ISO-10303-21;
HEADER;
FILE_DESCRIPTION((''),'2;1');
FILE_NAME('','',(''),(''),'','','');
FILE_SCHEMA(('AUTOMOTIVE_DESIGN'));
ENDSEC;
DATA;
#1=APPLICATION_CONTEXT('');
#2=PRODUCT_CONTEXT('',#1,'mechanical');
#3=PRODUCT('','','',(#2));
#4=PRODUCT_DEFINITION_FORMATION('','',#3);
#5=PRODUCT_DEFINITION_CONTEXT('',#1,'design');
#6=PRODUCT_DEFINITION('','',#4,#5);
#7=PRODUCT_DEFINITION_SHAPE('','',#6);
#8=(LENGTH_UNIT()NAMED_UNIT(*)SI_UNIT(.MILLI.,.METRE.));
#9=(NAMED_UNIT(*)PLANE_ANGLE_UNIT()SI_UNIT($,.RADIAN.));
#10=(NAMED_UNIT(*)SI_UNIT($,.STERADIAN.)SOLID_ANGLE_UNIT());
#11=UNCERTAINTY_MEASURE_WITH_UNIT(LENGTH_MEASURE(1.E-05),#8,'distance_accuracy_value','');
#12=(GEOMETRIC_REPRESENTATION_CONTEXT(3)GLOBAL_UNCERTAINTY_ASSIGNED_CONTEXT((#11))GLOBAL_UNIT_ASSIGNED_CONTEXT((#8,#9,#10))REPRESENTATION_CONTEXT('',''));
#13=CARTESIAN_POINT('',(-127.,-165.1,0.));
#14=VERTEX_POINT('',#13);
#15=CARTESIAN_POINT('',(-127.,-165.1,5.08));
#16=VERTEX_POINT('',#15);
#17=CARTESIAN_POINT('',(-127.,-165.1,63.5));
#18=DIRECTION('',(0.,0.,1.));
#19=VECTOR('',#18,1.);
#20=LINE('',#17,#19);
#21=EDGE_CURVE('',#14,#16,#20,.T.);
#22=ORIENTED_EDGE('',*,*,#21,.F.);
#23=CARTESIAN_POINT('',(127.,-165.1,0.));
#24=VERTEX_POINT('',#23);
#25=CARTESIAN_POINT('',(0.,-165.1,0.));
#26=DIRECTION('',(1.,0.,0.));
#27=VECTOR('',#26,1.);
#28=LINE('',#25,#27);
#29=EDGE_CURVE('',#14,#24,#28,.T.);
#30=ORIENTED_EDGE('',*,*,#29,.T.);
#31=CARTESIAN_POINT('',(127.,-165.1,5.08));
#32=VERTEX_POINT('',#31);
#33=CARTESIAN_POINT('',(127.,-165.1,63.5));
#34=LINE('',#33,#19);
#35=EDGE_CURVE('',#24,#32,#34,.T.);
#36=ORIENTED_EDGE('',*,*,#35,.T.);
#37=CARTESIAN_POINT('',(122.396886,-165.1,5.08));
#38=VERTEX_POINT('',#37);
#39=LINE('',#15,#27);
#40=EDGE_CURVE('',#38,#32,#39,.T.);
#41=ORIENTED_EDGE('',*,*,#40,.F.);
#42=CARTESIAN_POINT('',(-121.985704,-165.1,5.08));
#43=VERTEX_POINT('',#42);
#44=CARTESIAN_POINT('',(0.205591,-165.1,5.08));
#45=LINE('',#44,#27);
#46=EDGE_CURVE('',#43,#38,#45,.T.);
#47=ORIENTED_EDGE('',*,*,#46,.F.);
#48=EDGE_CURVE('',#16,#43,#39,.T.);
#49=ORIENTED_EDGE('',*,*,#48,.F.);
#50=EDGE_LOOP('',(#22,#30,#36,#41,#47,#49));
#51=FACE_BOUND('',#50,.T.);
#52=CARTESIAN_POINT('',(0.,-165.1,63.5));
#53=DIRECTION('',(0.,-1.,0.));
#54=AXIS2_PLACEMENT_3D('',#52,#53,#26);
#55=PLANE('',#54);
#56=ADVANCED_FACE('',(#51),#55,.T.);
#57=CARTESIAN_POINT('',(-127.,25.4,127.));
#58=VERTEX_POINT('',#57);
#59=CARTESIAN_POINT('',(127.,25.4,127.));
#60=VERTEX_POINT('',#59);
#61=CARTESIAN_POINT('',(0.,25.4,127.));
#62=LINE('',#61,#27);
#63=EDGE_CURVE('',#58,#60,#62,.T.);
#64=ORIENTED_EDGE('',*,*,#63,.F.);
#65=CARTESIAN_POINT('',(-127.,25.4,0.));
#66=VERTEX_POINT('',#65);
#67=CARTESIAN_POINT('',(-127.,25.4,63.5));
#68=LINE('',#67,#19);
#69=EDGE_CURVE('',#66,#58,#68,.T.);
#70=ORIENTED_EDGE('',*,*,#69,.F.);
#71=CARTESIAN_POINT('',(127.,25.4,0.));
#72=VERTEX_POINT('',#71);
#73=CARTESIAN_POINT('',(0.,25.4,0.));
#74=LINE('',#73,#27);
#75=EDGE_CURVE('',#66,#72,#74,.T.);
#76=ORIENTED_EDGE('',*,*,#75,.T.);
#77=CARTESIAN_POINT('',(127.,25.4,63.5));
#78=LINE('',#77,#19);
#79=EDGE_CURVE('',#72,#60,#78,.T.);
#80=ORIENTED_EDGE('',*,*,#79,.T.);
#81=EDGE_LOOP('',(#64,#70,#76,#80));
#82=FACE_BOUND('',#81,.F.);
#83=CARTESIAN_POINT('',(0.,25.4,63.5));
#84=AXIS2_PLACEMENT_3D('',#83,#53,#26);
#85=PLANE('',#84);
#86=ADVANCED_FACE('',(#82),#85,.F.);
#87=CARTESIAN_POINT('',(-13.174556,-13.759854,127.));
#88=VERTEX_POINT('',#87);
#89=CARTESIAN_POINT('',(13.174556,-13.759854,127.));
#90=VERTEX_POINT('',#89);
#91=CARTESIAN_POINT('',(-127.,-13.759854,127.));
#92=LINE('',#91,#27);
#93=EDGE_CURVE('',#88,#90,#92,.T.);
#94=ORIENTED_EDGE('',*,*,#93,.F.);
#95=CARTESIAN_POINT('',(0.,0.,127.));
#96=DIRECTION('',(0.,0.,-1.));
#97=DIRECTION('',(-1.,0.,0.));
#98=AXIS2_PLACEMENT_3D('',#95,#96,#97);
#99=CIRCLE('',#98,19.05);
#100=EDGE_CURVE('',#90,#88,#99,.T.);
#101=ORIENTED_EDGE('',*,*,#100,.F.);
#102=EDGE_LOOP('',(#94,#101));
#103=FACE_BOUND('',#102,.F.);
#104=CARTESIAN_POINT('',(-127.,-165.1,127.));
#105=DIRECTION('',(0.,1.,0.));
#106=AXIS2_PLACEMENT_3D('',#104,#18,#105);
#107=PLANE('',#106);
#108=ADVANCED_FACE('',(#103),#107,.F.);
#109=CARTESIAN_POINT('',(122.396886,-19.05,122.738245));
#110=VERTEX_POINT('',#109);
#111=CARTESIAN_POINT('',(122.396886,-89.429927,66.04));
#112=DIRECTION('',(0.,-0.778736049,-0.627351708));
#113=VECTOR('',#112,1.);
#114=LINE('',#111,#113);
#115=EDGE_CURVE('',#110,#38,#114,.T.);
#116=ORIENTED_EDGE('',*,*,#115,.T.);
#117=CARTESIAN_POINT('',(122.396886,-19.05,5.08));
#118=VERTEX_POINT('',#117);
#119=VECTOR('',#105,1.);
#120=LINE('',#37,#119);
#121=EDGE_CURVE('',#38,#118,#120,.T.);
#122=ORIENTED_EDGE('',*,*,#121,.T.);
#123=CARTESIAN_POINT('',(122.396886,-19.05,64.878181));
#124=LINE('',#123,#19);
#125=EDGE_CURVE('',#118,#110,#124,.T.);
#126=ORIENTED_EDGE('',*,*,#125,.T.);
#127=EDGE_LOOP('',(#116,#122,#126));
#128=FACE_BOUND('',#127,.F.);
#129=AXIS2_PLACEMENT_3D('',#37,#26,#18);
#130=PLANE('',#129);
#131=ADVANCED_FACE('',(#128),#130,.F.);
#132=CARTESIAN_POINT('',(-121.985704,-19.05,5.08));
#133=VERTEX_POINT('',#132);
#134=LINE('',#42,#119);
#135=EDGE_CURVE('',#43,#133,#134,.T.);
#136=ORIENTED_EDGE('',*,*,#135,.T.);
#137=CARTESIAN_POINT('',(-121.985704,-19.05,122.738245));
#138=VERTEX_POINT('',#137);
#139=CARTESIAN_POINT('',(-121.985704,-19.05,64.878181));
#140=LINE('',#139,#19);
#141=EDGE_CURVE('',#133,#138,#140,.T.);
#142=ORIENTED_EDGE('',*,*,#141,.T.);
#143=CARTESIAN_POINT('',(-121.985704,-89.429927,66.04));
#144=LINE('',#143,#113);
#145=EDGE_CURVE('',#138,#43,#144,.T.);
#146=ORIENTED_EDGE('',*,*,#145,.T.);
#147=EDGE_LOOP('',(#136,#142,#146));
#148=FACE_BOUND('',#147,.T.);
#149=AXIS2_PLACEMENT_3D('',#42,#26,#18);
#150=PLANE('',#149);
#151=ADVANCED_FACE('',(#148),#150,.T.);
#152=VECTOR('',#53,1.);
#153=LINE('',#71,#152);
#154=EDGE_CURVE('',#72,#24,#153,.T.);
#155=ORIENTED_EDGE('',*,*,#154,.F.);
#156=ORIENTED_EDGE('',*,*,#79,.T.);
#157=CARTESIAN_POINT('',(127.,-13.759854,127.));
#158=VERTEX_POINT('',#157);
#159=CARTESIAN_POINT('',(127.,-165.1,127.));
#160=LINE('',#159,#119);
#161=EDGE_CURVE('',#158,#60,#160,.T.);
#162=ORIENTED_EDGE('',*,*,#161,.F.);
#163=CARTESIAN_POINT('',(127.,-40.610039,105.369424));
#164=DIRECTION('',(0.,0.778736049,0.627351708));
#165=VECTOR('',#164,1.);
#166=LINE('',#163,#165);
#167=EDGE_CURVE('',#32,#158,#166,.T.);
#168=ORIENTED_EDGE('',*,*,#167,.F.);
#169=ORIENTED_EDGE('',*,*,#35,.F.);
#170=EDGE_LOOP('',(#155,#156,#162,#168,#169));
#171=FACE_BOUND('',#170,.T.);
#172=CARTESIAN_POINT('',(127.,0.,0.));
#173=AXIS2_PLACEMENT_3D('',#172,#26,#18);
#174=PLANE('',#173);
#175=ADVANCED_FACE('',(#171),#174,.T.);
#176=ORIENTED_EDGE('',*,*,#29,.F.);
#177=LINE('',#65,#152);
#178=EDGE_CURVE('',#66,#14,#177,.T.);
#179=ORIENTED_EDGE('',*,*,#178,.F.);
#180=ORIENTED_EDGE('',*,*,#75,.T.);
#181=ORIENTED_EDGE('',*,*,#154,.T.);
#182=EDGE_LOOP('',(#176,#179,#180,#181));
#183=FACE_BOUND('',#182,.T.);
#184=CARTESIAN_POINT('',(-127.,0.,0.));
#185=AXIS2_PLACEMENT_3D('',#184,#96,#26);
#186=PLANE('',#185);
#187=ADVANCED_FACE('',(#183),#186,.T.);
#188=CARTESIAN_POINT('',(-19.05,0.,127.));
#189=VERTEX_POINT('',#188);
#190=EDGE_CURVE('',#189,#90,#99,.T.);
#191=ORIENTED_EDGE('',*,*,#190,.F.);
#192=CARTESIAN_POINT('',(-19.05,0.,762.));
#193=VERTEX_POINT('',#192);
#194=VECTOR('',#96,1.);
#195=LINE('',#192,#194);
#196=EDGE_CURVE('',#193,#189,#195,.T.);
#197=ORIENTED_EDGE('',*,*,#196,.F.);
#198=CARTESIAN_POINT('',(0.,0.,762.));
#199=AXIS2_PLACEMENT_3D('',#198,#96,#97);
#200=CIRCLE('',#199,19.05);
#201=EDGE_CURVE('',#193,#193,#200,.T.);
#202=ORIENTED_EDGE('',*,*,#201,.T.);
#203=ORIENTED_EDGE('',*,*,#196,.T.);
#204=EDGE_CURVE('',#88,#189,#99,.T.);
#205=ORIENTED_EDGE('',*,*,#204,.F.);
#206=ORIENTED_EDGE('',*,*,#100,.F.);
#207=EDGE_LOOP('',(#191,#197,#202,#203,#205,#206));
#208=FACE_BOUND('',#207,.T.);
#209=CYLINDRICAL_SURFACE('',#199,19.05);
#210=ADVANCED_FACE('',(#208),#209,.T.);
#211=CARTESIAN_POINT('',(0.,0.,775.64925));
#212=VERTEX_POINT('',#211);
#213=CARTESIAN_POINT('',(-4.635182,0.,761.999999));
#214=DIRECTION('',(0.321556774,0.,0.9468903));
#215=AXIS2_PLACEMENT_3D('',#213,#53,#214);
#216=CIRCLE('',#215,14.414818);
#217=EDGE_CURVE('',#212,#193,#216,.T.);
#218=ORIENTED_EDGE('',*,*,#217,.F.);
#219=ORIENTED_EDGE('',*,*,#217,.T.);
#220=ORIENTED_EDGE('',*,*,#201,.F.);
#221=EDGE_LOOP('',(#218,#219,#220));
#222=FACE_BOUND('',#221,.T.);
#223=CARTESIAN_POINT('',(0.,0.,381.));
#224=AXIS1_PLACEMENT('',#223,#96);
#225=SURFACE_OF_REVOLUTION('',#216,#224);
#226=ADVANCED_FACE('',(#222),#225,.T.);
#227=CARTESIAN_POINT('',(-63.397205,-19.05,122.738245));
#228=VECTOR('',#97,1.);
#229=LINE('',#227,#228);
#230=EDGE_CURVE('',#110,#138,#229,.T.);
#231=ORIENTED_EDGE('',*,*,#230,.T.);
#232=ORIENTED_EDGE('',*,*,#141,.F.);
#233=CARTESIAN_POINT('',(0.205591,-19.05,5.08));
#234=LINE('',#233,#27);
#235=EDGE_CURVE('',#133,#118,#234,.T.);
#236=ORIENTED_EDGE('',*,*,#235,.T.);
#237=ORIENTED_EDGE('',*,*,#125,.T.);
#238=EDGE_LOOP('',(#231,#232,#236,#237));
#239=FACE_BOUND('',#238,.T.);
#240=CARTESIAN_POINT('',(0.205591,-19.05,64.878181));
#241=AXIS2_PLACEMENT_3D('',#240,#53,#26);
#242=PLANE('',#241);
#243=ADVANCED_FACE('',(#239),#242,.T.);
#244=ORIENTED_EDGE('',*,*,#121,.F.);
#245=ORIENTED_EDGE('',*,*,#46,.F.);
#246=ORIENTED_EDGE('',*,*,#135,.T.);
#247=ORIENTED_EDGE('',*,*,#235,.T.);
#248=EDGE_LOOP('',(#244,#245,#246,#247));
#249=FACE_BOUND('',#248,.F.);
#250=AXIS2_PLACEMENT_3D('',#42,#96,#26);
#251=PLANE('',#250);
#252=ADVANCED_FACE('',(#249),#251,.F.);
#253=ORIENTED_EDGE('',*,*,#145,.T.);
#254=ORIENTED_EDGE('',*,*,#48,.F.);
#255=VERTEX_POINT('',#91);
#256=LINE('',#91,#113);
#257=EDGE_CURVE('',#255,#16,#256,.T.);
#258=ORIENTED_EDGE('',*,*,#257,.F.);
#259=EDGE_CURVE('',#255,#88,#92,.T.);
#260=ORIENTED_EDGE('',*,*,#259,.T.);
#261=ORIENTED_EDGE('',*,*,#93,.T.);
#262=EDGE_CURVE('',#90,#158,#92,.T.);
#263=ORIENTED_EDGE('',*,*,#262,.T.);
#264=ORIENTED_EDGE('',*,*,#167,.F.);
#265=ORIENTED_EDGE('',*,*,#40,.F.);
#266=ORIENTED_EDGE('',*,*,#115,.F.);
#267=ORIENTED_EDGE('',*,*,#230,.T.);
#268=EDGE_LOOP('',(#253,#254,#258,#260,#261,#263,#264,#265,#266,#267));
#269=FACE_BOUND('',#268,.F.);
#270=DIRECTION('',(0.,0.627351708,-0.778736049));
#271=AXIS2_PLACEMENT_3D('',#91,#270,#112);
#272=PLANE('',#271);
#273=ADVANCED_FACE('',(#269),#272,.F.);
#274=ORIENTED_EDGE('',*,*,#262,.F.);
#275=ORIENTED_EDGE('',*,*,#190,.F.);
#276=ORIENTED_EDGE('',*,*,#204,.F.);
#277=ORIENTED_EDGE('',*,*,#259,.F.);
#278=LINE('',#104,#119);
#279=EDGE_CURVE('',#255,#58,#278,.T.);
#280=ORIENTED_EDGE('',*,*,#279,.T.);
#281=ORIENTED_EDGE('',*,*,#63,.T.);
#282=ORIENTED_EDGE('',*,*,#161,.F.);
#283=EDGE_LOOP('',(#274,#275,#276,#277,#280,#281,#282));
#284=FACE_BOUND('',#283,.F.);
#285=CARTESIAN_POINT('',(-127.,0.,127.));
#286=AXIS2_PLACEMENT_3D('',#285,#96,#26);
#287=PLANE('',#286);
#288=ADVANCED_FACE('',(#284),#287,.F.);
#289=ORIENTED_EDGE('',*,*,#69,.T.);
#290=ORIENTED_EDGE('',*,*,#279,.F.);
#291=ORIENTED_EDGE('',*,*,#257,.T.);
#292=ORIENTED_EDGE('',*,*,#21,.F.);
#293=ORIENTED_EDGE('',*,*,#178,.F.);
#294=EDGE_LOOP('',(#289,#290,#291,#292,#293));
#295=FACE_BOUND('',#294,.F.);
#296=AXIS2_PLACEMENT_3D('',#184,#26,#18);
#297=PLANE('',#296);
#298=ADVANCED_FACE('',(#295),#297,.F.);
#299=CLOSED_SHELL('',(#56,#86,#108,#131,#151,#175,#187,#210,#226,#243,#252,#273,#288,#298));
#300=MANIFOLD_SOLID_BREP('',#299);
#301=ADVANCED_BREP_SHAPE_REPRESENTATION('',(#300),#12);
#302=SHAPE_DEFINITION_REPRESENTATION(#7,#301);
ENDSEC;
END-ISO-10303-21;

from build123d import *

# Parameters (mm, degrees)
F2_W          = 254
F2_H          = 127
F3_DEPTH      = 165.1
F3_DEPTH_BACK = 25.4
F5_DEPTH      = 386.08
F6_W          = 244.38259
F6_H          = 119.596362
F7_DEPTH      = 146.05


with BuildPart() as f1:
    # F0 (on Front) → F1 (revolve)
    with BuildSketch(Plane.XZ):
        with BuildLine():
            Line((-19.05, 762), (-19.05, 0))
            Line((-19.05, 0), (0, 0))
            Line((0, 0), (0, 762))
            Line((0, 762), (0, 775.64925))
            ThreePointArc((0, 775.64925), (-13.030766, 773.717556), (-19.05, 762))
        make_face()
    revolve(axis=Axis((0, 0, 381), (0, 0, -1)))

    # F2 (on Front) → F3 (join, two sides)
    with BuildSketch(Plane.XZ) as f3_sk:
        with Locations((0, 63.5)):
            Rectangle(F2_W, F2_H)
    extrude(amount=F3_DEPTH)
    extrude(f3_sk.sketch, amount=-F3_DEPTH_BACK)

    # F4 (on face) → F5 (cut)
    with BuildSketch(Plane(origin=(-127, 0, 0), x_dir=(0, -1, 0), z_dir=(-1, 0, 0))):
        Polygon((165.1, 127), (13.759854, 127), (165.1, 5.08), align=None)
    extrude(amount=-F5_DEPTH, mode=Mode.SUBTRACT)

    # F6 (on face) → F7 (cut)
    with BuildSketch(Plane.XZ.offset(165.1)):
        with Locations((0.205591, 64.878181)):
            Rectangle(F6_W, F6_H)
    extrude(amount=-F7_DEPTH, mode=Mode.SUBTRACT)


solid = f1.part
